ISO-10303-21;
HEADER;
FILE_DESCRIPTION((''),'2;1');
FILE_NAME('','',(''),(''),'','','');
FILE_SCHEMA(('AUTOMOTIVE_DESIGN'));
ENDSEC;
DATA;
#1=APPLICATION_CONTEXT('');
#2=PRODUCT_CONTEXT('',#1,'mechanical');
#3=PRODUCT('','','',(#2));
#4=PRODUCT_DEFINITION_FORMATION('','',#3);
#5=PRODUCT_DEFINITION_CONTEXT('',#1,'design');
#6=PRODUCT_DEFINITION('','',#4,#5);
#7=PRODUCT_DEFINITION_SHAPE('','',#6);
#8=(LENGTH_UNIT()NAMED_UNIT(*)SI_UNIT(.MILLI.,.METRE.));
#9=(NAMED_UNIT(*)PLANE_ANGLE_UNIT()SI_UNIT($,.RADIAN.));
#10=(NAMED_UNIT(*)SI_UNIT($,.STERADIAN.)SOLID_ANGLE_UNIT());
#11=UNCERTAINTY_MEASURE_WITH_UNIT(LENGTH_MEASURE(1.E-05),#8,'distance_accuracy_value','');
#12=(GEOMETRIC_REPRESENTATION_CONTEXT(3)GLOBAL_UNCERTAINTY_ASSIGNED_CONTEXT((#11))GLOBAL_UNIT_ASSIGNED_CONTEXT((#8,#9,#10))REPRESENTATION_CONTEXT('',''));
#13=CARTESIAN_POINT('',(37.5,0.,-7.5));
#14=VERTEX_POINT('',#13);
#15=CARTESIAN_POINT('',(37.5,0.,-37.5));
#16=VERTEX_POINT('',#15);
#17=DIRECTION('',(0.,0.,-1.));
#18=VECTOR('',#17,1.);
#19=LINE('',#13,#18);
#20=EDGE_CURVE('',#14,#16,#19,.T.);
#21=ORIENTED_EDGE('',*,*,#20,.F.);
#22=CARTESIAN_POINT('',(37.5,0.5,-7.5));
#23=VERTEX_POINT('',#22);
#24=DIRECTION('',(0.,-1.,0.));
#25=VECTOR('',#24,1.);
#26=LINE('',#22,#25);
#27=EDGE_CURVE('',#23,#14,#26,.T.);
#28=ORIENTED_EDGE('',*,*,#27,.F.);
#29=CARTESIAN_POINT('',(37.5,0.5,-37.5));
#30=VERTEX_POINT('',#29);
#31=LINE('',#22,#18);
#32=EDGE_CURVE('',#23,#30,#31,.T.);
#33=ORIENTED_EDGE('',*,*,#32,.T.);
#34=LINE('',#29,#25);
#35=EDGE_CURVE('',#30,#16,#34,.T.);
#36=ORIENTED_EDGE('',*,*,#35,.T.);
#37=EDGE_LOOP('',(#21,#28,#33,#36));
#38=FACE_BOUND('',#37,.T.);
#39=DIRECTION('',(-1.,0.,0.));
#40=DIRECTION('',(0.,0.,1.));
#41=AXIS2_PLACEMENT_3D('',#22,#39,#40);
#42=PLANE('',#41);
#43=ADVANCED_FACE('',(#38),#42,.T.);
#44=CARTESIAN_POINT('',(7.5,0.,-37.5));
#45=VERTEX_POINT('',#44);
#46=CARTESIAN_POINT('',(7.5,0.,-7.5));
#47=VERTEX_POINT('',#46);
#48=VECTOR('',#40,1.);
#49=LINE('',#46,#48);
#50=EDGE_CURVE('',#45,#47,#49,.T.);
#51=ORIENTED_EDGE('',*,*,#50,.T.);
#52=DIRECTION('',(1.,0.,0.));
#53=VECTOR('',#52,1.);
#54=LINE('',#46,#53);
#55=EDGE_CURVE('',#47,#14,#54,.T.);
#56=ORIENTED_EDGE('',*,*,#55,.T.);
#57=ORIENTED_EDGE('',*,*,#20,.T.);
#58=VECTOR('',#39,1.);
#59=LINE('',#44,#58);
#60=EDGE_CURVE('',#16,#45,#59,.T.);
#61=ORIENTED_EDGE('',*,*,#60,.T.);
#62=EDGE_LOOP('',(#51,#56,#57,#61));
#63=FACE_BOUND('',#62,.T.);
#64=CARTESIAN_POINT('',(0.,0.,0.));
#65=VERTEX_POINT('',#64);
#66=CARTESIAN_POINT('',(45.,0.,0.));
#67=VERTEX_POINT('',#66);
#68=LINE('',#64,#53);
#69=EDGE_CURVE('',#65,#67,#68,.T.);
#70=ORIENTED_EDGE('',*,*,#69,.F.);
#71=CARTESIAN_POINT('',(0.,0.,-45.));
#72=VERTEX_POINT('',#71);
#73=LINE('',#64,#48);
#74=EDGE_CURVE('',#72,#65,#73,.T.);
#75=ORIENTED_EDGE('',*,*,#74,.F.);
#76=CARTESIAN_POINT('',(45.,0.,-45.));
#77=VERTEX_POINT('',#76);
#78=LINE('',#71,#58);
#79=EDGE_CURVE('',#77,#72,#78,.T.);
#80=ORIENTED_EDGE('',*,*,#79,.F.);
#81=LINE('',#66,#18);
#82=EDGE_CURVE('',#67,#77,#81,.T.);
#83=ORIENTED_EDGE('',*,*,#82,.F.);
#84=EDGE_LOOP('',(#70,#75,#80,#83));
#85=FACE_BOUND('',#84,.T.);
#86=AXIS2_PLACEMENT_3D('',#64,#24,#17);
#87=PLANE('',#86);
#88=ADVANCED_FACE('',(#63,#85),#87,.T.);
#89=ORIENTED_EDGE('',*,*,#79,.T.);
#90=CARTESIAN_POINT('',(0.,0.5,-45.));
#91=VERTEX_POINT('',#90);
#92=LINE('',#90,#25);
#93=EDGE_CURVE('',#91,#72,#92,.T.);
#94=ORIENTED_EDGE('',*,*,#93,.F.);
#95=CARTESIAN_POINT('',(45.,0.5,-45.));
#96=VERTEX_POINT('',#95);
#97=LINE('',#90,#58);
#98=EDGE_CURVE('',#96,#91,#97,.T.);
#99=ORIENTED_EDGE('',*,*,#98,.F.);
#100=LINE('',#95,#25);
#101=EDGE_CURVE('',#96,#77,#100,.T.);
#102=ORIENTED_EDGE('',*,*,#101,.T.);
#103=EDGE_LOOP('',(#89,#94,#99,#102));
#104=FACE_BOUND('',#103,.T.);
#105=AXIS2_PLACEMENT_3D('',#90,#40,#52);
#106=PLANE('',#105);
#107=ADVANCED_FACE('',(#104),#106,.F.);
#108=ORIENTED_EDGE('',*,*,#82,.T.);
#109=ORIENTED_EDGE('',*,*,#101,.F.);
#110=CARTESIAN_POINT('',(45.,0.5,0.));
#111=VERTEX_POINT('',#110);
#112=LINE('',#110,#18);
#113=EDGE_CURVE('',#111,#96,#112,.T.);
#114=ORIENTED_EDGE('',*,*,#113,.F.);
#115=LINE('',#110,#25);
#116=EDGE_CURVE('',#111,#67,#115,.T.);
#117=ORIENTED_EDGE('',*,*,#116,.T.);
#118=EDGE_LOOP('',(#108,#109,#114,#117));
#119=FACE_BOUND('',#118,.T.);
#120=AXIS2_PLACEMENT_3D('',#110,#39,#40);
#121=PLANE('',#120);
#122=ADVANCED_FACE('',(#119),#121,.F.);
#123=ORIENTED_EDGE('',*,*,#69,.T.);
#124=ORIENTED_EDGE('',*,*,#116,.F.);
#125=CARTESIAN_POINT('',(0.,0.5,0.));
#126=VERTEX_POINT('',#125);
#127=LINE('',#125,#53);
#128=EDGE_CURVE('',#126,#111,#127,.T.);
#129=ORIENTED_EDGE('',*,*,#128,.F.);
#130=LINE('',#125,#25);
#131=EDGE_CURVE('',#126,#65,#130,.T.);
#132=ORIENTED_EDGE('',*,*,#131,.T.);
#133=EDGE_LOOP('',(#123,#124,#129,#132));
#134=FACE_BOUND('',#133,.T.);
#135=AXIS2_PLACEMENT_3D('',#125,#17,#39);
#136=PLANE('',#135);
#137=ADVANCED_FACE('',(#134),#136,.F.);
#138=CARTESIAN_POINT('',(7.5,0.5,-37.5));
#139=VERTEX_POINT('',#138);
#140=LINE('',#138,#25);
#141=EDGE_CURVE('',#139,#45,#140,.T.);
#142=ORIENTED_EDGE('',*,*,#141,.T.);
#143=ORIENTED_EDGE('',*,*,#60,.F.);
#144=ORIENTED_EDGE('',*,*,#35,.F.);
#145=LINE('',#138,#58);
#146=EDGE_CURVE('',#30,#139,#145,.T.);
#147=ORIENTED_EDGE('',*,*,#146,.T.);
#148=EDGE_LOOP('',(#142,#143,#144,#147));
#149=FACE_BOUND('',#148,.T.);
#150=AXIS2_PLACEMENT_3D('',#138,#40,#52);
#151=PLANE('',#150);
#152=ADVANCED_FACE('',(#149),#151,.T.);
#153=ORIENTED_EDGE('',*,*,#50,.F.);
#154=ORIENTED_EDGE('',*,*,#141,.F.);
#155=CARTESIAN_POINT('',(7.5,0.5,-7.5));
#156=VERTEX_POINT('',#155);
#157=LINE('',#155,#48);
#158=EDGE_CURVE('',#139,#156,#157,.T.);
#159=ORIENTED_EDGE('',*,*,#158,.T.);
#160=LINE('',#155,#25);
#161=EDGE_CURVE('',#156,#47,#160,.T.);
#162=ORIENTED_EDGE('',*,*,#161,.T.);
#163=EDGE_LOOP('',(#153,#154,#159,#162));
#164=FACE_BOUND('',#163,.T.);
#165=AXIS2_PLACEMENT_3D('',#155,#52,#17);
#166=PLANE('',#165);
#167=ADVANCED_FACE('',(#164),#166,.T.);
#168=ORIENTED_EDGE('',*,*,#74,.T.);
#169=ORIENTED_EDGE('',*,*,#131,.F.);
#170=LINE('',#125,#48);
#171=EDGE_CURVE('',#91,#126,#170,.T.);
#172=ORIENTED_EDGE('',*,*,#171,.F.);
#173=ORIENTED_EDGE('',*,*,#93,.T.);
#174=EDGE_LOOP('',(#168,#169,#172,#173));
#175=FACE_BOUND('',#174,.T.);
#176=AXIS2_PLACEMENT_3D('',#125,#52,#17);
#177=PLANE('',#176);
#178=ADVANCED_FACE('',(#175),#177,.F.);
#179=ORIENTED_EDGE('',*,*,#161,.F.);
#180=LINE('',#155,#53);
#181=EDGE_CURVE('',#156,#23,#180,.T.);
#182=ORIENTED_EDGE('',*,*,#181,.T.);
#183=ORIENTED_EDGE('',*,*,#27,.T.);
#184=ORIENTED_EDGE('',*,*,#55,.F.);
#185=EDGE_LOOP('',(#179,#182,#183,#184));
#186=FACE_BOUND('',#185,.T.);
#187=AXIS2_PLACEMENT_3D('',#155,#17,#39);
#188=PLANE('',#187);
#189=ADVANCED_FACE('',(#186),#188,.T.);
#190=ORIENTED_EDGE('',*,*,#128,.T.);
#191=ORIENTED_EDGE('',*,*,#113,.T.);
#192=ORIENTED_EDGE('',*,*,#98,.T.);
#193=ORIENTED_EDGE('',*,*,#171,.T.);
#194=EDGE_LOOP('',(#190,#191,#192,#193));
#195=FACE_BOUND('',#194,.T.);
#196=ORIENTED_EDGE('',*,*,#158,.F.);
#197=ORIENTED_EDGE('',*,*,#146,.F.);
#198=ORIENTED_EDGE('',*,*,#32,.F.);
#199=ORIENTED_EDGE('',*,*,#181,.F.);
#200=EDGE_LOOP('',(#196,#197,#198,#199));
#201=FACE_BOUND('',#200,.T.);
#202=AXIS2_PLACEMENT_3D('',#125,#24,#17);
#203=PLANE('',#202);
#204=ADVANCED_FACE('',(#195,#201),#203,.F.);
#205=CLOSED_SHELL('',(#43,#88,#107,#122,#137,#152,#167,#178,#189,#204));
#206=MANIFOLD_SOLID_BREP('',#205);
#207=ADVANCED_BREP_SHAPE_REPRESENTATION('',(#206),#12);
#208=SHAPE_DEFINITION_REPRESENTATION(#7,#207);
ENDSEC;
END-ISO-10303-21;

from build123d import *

# Parameters (mm, degrees)
CROQUIS1_W              = 45
CROQUIS1_H              = 45
CROQUIS1_W_2            = 30
CROQUIS1_H_2            = 30
SALIENTE_EXTRUIR1_DEPTH = 0.5


with BuildPart() as part:
    # Croquis1 → Saliente-Extruir1 (new body)
    with BuildSketch(Plane(origin=(0, 0, 0), x_dir=(1, 0, 0), z_dir=(0, 1, 0))):
        with Locations((22.5, 22.5)):
            Rectangle(CROQUIS1_W, CROQUIS1_H)
        with Locations((22.5, 22.5)):
            Rectangle(CROQUIS1_W_2, CROQUIS1_H_2, mode=Mode.SUBTRACT)
    extrude(amount=SALIENTE_EXTRUIR1_DEPTH)


solid = part.part
